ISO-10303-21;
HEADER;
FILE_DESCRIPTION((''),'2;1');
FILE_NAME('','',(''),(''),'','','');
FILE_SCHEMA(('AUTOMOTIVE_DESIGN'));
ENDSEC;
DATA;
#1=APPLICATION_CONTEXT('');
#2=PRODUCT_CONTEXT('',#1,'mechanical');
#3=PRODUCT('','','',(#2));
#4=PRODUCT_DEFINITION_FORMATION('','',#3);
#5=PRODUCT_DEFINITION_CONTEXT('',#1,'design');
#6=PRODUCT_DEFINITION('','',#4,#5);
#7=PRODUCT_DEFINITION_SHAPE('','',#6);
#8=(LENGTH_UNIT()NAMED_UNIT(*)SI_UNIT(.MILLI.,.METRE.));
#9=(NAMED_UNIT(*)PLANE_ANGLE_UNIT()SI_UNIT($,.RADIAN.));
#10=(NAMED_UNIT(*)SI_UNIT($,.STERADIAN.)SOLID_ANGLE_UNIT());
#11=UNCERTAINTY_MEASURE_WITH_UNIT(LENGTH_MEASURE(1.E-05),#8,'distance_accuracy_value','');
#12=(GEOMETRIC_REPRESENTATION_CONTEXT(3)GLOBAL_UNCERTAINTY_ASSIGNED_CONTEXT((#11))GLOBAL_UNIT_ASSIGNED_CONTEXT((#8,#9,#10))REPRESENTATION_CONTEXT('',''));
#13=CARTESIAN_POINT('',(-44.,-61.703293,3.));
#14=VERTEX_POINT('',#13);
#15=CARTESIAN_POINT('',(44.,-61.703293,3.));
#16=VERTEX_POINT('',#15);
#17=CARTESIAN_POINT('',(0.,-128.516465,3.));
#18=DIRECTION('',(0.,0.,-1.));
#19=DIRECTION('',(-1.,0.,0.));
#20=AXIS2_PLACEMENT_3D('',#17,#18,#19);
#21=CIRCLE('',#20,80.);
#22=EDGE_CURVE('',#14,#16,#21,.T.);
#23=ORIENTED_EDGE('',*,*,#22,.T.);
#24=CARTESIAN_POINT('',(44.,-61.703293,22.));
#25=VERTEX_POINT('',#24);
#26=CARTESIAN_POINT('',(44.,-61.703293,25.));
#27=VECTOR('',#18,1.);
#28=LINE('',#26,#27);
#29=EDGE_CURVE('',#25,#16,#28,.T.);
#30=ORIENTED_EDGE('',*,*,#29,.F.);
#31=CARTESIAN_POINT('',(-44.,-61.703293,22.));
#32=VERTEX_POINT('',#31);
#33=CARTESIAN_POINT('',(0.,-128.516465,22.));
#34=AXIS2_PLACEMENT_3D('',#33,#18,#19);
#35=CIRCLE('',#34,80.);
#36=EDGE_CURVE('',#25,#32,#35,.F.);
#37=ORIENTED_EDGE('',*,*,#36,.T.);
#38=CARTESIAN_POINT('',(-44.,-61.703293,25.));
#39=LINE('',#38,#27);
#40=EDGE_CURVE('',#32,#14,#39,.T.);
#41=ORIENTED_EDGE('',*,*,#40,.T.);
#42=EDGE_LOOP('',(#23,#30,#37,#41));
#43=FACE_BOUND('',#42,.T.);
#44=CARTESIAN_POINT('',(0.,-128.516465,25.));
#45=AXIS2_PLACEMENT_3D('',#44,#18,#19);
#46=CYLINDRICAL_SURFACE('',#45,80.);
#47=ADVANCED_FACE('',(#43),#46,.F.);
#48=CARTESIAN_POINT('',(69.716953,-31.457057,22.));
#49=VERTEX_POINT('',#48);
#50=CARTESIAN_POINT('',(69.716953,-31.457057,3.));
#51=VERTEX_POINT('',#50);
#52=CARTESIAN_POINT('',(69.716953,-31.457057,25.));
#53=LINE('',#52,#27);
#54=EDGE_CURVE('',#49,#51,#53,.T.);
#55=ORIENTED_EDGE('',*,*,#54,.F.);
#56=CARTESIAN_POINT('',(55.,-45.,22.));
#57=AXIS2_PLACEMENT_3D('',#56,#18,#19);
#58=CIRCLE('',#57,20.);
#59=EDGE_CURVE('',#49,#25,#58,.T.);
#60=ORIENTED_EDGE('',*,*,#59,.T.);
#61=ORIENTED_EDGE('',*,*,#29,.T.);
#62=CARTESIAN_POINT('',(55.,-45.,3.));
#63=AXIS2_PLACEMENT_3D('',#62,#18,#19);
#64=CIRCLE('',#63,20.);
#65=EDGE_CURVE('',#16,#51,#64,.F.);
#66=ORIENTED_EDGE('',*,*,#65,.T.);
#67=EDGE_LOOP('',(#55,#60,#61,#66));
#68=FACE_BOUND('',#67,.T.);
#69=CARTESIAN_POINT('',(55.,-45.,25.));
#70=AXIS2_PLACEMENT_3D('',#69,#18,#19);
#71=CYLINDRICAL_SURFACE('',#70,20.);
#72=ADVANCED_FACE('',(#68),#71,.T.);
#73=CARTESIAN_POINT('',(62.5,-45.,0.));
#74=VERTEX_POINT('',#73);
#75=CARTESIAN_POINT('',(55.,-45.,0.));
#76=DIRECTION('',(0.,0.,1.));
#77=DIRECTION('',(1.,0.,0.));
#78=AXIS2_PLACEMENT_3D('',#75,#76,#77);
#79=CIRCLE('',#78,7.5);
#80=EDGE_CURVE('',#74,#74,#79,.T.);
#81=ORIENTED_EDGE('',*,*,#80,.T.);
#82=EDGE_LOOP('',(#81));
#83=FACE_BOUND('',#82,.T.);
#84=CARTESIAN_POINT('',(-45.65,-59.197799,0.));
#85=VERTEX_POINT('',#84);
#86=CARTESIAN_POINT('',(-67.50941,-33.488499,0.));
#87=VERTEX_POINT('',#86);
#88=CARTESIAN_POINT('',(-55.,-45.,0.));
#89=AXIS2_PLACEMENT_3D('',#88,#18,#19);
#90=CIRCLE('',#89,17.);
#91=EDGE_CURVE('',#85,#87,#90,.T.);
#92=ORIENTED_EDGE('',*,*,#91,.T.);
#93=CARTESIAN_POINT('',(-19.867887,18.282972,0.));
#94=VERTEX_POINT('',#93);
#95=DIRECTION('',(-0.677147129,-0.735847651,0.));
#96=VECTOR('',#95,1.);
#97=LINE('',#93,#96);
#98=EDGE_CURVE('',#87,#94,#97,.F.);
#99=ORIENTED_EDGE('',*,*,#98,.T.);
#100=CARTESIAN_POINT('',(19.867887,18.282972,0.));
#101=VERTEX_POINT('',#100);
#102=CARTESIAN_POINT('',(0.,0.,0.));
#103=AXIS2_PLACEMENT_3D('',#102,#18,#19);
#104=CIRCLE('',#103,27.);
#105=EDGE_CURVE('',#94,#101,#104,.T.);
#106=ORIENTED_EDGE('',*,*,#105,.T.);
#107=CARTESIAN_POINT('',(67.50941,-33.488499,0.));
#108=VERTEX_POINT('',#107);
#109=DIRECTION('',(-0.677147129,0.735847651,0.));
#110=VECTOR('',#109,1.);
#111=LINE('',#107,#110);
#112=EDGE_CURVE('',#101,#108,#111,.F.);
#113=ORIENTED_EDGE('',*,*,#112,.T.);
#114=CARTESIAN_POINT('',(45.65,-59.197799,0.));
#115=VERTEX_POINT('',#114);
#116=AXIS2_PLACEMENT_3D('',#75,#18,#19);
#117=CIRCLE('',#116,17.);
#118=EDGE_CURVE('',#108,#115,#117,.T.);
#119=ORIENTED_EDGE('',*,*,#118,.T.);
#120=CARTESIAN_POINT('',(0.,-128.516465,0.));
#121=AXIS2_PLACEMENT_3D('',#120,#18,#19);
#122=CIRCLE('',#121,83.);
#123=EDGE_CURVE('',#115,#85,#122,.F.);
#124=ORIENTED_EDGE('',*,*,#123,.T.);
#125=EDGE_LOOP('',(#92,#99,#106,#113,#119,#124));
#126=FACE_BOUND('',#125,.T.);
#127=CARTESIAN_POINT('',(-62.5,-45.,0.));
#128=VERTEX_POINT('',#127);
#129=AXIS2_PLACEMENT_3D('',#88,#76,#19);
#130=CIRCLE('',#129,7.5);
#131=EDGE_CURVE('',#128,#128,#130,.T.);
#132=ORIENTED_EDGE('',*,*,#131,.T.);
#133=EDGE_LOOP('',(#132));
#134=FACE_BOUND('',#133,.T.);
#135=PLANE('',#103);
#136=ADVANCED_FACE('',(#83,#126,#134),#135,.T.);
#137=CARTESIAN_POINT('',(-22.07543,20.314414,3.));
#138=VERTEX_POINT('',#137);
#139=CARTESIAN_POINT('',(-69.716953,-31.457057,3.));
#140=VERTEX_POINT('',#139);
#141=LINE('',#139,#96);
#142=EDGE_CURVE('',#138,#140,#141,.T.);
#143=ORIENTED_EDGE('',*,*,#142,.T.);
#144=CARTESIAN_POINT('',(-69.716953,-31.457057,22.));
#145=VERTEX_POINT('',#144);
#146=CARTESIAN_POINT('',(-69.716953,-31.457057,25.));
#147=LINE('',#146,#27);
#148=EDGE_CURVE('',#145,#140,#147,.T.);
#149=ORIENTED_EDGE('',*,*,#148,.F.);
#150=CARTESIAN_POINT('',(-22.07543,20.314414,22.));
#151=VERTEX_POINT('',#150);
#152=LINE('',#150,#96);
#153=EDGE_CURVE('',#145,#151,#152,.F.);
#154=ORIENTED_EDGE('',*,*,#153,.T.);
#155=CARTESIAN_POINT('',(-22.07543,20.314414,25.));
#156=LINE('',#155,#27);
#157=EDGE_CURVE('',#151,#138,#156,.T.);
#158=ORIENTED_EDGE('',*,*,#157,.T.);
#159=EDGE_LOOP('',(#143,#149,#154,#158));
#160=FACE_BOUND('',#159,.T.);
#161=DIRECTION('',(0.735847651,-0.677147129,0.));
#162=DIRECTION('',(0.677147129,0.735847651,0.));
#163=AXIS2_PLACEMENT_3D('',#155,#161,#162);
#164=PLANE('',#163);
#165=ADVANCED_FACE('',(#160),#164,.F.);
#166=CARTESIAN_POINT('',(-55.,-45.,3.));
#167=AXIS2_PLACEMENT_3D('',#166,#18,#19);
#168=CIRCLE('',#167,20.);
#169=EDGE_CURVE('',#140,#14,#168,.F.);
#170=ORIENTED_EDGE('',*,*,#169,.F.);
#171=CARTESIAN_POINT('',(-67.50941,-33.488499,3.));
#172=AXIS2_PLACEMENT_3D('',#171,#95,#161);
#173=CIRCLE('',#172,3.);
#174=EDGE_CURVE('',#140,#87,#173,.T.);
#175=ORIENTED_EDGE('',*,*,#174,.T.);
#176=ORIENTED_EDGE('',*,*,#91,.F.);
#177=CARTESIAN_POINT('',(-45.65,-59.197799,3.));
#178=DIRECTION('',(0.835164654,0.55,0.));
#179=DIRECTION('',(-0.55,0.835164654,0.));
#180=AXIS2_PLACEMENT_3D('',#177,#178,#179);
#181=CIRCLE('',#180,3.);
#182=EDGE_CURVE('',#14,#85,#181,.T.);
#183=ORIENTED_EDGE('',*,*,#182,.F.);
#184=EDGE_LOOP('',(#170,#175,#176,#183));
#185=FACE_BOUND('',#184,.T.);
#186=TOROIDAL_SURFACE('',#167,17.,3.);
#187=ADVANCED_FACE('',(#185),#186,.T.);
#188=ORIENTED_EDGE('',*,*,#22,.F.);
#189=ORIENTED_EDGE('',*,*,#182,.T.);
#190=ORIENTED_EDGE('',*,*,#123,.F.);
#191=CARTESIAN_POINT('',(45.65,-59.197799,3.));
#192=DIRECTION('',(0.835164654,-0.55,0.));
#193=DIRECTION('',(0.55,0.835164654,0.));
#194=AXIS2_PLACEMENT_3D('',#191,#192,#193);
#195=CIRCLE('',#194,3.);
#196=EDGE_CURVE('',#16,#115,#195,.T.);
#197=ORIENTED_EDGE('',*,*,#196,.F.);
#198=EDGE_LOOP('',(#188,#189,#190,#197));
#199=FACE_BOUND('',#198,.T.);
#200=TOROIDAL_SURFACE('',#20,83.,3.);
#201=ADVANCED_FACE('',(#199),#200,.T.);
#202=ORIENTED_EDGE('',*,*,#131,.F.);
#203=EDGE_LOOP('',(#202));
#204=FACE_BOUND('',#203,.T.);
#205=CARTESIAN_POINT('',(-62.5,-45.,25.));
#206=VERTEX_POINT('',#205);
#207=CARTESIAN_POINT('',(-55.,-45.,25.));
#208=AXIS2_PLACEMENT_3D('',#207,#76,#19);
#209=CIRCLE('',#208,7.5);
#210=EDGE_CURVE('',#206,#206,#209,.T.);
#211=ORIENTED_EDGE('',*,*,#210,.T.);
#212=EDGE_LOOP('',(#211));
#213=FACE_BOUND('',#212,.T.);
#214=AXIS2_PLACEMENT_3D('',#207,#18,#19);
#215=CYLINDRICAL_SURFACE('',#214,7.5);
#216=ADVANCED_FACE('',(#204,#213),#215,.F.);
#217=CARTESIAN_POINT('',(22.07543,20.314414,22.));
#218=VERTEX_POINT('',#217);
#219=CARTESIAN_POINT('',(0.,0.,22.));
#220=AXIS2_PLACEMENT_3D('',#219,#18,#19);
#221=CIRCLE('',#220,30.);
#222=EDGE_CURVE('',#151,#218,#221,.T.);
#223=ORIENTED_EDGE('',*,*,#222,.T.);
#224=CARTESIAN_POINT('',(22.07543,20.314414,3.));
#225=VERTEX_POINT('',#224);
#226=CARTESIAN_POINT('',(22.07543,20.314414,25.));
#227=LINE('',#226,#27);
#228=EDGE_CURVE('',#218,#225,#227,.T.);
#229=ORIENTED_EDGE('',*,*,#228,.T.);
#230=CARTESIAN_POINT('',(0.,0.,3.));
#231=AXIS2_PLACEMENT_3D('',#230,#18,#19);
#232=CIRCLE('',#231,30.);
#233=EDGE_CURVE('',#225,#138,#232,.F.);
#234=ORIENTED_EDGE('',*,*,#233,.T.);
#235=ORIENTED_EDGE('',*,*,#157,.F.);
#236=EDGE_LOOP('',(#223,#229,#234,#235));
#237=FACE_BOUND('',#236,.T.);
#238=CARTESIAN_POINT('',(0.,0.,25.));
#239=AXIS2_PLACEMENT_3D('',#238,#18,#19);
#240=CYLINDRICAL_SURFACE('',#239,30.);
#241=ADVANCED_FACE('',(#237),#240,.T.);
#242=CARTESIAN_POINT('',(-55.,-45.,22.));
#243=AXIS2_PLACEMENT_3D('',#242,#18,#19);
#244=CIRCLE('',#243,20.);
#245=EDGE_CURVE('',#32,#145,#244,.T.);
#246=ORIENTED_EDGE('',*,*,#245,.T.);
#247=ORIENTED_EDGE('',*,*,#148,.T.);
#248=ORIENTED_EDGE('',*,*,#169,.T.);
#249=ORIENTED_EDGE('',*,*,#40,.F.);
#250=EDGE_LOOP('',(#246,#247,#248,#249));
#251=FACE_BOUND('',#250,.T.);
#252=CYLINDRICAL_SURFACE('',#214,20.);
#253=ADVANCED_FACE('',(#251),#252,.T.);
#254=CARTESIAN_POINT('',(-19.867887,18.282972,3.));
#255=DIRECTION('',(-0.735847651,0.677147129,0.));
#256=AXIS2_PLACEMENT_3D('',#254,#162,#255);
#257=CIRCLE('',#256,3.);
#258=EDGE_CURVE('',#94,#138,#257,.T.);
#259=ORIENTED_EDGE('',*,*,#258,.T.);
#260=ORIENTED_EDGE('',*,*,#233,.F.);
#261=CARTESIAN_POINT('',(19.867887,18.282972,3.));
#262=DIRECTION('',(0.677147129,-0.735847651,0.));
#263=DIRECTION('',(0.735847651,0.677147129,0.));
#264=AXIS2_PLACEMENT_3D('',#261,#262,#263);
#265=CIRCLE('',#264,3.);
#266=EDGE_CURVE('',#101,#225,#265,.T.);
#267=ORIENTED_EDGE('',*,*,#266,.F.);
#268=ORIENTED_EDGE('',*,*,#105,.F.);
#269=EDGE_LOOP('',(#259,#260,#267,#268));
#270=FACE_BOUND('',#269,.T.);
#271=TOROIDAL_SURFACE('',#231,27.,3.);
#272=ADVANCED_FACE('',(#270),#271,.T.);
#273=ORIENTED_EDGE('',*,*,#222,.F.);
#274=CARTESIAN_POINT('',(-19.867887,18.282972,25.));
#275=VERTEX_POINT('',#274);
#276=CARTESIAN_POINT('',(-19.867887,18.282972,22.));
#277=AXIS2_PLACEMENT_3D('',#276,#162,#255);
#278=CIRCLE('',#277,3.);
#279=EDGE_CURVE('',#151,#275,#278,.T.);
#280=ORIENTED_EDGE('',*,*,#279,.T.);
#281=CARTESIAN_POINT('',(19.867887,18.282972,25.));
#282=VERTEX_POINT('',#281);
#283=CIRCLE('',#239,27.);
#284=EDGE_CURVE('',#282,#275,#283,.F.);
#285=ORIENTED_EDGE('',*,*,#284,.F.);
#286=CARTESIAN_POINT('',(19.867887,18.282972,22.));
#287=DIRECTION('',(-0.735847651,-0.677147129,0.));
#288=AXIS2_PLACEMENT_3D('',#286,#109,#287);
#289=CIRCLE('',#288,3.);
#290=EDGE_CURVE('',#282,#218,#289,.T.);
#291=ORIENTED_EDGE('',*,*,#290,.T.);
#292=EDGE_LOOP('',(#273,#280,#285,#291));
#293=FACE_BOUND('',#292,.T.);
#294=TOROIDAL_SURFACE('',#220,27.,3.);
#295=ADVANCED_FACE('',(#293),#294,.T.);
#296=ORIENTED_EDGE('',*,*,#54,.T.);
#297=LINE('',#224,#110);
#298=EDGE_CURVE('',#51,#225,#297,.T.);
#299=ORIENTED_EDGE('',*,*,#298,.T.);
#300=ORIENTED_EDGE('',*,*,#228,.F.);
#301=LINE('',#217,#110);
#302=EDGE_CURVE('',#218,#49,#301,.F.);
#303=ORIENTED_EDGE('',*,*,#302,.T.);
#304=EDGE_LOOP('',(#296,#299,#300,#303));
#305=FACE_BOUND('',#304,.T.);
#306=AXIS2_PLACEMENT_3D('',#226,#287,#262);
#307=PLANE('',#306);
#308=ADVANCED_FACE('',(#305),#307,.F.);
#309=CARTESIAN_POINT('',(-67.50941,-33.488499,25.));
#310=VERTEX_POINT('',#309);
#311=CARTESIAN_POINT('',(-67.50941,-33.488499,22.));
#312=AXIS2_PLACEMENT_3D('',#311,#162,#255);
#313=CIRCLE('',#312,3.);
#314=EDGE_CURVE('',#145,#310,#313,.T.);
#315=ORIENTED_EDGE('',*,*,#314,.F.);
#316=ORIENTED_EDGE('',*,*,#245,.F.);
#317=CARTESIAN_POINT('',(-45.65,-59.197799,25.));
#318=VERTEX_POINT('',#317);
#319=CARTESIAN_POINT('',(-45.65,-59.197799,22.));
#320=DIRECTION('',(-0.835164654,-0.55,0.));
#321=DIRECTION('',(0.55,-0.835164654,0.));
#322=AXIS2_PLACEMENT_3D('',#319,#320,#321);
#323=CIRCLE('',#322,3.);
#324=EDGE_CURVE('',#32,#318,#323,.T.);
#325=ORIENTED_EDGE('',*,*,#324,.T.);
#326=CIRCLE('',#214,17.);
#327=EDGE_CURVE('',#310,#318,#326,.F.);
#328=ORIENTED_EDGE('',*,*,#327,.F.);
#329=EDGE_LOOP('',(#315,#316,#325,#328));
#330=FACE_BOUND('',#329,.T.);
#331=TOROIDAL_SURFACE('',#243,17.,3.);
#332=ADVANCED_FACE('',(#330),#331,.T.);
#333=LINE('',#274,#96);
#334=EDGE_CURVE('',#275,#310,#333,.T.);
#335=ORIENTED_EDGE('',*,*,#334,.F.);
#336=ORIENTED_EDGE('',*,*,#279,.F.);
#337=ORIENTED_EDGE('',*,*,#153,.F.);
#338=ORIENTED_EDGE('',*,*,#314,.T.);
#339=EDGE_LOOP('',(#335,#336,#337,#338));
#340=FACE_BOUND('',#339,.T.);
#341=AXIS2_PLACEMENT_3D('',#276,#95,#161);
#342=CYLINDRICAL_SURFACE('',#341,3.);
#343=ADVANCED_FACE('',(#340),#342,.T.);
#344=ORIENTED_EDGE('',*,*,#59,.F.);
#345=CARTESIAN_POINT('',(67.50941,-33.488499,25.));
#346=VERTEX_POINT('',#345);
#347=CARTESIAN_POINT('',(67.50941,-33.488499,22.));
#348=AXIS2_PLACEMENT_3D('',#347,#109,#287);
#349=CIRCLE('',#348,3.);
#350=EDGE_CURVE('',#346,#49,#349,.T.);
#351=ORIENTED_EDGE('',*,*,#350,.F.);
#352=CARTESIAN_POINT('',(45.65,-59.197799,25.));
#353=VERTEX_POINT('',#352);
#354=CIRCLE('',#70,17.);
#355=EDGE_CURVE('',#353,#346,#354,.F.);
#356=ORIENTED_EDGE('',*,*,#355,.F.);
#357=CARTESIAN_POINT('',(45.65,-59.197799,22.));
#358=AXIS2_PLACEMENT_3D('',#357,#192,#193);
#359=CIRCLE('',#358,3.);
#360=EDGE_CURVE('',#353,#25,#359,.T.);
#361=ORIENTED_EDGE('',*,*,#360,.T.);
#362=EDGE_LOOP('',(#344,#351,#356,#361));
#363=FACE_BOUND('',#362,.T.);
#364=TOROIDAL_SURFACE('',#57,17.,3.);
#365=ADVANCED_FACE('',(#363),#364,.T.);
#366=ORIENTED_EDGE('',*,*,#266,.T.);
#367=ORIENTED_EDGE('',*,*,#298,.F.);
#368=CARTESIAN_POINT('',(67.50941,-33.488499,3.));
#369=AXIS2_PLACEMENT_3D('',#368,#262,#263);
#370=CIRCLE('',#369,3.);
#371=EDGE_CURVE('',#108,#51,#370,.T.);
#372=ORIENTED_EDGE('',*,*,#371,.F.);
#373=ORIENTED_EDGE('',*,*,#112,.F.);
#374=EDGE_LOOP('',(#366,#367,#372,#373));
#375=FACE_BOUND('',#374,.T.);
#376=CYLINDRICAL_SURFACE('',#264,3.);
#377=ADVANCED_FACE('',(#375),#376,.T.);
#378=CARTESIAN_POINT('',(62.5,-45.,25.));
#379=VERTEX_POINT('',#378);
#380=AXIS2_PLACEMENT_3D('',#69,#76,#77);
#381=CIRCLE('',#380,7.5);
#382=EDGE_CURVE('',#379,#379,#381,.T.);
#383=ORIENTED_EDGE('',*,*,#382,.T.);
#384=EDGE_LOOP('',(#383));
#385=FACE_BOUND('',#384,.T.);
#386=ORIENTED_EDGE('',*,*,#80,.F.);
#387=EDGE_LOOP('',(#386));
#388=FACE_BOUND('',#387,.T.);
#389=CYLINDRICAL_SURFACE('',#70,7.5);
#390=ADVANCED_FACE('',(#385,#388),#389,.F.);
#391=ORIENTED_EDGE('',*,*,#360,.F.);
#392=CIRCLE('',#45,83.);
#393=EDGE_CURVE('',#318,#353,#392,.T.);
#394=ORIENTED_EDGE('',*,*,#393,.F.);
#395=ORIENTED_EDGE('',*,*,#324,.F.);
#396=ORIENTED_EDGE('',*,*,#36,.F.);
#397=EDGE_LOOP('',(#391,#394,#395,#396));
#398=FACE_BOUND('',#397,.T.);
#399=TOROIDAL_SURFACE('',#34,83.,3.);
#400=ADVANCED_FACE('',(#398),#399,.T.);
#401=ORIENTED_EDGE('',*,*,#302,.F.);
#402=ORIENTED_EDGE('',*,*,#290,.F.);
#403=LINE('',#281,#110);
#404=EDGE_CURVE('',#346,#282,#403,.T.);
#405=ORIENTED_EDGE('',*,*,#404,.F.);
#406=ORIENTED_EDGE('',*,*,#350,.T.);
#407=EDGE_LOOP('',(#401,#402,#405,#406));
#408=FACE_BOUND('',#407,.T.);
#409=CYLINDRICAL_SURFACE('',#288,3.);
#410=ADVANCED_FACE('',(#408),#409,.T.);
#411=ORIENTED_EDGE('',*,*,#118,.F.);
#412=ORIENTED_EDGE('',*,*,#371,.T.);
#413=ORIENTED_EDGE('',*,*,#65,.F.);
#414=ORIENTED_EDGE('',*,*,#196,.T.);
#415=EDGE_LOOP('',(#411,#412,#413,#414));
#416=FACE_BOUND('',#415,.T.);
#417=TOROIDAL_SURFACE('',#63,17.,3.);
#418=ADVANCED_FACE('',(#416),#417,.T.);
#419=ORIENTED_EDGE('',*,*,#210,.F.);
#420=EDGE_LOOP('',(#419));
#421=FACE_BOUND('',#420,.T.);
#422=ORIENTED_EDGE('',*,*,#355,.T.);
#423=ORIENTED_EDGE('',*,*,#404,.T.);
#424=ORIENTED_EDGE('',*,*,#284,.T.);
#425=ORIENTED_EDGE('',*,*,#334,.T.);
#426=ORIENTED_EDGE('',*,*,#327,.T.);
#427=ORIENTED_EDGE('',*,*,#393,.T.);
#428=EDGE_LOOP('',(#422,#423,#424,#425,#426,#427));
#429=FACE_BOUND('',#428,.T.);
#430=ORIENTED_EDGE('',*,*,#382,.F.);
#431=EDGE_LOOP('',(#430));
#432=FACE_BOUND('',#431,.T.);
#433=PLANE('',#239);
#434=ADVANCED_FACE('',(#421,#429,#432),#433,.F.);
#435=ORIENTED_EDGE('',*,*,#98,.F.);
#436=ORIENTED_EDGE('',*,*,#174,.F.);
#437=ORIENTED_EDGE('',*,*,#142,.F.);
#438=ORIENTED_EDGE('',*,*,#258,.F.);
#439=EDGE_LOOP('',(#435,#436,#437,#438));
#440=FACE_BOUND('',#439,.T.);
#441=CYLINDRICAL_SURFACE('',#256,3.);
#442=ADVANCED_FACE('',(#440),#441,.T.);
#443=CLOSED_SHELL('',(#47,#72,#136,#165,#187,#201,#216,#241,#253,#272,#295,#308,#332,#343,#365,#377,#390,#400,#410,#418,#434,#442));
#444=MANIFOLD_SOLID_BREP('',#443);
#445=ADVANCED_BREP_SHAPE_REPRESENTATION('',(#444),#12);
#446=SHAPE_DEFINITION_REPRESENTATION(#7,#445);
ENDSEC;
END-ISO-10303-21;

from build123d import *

# Parameters (mm, degrees)
SKETCH1_R           = 7.5
BOSS_EXTRUDE2_DEPTH = 25
FILLET2_R           = 3


with BuildPart() as part:
    # Sketch1 → Boss-Extrude2 (new body)
    with BuildSketch(Plane.XY):
        with BuildLine():
            Line((22.075429532, 20.314413872), (69.716953021, -31.457057418))
            ThreePointArc((69.716953021, -31.457057418), (70.236883802, -57.955206367), (44, -61.703293088))
            ThreePointArc((44, -61.703293088), (0, -48.516465442), (-44, -61.703293088))
            ThreePointArc((-44, -61.703293088), (-70.236883802, -57.955206367), (-69.716953021, -31.457057418))
            Line((-69.716953021, -31.457057418), (-22.075429532, 20.314413872))
            ThreePointArc((-22.075429532, 20.314413872), (0, 30), (22.075429532, 20.314413872))
        make_face()
        with Locations((55, -45)):
            Circle(SKETCH1_R, mode=Mode.SUBTRACT)
        with Locations((-55, -45)):
            Circle(SKETCH1_R, mode=Mode.SUBTRACT)
    extrude(amount=BOSS_EXTRUDE2_DEPTH)

    # Fillet2
    fillet2_edges = [part.edges().sort_by_distance(p)[0] for p in [
        (-70.236883802, -57.955206367, 25),
        (0, -48.516465442, 25),
        (70.236883802, -57.955206367, 25),
        (45.896191277, -5.571321773, 25),
        (0, 30, 25),
        (45.896191277, -5.571321773, 0),
        (70.236883802, -57.955206367, 0),
        (0, -48.516465442, 0),
        (-70.236883802, -57.955206367, 0),
        (-45.896191277, -5.571321773, 0),
        (0, 30, 0),
        (-45.896191277, -5.571321773, 25),
    ]]
    fillet(fillet2_edges, radius=FILLET2_R)


solid = part.part
